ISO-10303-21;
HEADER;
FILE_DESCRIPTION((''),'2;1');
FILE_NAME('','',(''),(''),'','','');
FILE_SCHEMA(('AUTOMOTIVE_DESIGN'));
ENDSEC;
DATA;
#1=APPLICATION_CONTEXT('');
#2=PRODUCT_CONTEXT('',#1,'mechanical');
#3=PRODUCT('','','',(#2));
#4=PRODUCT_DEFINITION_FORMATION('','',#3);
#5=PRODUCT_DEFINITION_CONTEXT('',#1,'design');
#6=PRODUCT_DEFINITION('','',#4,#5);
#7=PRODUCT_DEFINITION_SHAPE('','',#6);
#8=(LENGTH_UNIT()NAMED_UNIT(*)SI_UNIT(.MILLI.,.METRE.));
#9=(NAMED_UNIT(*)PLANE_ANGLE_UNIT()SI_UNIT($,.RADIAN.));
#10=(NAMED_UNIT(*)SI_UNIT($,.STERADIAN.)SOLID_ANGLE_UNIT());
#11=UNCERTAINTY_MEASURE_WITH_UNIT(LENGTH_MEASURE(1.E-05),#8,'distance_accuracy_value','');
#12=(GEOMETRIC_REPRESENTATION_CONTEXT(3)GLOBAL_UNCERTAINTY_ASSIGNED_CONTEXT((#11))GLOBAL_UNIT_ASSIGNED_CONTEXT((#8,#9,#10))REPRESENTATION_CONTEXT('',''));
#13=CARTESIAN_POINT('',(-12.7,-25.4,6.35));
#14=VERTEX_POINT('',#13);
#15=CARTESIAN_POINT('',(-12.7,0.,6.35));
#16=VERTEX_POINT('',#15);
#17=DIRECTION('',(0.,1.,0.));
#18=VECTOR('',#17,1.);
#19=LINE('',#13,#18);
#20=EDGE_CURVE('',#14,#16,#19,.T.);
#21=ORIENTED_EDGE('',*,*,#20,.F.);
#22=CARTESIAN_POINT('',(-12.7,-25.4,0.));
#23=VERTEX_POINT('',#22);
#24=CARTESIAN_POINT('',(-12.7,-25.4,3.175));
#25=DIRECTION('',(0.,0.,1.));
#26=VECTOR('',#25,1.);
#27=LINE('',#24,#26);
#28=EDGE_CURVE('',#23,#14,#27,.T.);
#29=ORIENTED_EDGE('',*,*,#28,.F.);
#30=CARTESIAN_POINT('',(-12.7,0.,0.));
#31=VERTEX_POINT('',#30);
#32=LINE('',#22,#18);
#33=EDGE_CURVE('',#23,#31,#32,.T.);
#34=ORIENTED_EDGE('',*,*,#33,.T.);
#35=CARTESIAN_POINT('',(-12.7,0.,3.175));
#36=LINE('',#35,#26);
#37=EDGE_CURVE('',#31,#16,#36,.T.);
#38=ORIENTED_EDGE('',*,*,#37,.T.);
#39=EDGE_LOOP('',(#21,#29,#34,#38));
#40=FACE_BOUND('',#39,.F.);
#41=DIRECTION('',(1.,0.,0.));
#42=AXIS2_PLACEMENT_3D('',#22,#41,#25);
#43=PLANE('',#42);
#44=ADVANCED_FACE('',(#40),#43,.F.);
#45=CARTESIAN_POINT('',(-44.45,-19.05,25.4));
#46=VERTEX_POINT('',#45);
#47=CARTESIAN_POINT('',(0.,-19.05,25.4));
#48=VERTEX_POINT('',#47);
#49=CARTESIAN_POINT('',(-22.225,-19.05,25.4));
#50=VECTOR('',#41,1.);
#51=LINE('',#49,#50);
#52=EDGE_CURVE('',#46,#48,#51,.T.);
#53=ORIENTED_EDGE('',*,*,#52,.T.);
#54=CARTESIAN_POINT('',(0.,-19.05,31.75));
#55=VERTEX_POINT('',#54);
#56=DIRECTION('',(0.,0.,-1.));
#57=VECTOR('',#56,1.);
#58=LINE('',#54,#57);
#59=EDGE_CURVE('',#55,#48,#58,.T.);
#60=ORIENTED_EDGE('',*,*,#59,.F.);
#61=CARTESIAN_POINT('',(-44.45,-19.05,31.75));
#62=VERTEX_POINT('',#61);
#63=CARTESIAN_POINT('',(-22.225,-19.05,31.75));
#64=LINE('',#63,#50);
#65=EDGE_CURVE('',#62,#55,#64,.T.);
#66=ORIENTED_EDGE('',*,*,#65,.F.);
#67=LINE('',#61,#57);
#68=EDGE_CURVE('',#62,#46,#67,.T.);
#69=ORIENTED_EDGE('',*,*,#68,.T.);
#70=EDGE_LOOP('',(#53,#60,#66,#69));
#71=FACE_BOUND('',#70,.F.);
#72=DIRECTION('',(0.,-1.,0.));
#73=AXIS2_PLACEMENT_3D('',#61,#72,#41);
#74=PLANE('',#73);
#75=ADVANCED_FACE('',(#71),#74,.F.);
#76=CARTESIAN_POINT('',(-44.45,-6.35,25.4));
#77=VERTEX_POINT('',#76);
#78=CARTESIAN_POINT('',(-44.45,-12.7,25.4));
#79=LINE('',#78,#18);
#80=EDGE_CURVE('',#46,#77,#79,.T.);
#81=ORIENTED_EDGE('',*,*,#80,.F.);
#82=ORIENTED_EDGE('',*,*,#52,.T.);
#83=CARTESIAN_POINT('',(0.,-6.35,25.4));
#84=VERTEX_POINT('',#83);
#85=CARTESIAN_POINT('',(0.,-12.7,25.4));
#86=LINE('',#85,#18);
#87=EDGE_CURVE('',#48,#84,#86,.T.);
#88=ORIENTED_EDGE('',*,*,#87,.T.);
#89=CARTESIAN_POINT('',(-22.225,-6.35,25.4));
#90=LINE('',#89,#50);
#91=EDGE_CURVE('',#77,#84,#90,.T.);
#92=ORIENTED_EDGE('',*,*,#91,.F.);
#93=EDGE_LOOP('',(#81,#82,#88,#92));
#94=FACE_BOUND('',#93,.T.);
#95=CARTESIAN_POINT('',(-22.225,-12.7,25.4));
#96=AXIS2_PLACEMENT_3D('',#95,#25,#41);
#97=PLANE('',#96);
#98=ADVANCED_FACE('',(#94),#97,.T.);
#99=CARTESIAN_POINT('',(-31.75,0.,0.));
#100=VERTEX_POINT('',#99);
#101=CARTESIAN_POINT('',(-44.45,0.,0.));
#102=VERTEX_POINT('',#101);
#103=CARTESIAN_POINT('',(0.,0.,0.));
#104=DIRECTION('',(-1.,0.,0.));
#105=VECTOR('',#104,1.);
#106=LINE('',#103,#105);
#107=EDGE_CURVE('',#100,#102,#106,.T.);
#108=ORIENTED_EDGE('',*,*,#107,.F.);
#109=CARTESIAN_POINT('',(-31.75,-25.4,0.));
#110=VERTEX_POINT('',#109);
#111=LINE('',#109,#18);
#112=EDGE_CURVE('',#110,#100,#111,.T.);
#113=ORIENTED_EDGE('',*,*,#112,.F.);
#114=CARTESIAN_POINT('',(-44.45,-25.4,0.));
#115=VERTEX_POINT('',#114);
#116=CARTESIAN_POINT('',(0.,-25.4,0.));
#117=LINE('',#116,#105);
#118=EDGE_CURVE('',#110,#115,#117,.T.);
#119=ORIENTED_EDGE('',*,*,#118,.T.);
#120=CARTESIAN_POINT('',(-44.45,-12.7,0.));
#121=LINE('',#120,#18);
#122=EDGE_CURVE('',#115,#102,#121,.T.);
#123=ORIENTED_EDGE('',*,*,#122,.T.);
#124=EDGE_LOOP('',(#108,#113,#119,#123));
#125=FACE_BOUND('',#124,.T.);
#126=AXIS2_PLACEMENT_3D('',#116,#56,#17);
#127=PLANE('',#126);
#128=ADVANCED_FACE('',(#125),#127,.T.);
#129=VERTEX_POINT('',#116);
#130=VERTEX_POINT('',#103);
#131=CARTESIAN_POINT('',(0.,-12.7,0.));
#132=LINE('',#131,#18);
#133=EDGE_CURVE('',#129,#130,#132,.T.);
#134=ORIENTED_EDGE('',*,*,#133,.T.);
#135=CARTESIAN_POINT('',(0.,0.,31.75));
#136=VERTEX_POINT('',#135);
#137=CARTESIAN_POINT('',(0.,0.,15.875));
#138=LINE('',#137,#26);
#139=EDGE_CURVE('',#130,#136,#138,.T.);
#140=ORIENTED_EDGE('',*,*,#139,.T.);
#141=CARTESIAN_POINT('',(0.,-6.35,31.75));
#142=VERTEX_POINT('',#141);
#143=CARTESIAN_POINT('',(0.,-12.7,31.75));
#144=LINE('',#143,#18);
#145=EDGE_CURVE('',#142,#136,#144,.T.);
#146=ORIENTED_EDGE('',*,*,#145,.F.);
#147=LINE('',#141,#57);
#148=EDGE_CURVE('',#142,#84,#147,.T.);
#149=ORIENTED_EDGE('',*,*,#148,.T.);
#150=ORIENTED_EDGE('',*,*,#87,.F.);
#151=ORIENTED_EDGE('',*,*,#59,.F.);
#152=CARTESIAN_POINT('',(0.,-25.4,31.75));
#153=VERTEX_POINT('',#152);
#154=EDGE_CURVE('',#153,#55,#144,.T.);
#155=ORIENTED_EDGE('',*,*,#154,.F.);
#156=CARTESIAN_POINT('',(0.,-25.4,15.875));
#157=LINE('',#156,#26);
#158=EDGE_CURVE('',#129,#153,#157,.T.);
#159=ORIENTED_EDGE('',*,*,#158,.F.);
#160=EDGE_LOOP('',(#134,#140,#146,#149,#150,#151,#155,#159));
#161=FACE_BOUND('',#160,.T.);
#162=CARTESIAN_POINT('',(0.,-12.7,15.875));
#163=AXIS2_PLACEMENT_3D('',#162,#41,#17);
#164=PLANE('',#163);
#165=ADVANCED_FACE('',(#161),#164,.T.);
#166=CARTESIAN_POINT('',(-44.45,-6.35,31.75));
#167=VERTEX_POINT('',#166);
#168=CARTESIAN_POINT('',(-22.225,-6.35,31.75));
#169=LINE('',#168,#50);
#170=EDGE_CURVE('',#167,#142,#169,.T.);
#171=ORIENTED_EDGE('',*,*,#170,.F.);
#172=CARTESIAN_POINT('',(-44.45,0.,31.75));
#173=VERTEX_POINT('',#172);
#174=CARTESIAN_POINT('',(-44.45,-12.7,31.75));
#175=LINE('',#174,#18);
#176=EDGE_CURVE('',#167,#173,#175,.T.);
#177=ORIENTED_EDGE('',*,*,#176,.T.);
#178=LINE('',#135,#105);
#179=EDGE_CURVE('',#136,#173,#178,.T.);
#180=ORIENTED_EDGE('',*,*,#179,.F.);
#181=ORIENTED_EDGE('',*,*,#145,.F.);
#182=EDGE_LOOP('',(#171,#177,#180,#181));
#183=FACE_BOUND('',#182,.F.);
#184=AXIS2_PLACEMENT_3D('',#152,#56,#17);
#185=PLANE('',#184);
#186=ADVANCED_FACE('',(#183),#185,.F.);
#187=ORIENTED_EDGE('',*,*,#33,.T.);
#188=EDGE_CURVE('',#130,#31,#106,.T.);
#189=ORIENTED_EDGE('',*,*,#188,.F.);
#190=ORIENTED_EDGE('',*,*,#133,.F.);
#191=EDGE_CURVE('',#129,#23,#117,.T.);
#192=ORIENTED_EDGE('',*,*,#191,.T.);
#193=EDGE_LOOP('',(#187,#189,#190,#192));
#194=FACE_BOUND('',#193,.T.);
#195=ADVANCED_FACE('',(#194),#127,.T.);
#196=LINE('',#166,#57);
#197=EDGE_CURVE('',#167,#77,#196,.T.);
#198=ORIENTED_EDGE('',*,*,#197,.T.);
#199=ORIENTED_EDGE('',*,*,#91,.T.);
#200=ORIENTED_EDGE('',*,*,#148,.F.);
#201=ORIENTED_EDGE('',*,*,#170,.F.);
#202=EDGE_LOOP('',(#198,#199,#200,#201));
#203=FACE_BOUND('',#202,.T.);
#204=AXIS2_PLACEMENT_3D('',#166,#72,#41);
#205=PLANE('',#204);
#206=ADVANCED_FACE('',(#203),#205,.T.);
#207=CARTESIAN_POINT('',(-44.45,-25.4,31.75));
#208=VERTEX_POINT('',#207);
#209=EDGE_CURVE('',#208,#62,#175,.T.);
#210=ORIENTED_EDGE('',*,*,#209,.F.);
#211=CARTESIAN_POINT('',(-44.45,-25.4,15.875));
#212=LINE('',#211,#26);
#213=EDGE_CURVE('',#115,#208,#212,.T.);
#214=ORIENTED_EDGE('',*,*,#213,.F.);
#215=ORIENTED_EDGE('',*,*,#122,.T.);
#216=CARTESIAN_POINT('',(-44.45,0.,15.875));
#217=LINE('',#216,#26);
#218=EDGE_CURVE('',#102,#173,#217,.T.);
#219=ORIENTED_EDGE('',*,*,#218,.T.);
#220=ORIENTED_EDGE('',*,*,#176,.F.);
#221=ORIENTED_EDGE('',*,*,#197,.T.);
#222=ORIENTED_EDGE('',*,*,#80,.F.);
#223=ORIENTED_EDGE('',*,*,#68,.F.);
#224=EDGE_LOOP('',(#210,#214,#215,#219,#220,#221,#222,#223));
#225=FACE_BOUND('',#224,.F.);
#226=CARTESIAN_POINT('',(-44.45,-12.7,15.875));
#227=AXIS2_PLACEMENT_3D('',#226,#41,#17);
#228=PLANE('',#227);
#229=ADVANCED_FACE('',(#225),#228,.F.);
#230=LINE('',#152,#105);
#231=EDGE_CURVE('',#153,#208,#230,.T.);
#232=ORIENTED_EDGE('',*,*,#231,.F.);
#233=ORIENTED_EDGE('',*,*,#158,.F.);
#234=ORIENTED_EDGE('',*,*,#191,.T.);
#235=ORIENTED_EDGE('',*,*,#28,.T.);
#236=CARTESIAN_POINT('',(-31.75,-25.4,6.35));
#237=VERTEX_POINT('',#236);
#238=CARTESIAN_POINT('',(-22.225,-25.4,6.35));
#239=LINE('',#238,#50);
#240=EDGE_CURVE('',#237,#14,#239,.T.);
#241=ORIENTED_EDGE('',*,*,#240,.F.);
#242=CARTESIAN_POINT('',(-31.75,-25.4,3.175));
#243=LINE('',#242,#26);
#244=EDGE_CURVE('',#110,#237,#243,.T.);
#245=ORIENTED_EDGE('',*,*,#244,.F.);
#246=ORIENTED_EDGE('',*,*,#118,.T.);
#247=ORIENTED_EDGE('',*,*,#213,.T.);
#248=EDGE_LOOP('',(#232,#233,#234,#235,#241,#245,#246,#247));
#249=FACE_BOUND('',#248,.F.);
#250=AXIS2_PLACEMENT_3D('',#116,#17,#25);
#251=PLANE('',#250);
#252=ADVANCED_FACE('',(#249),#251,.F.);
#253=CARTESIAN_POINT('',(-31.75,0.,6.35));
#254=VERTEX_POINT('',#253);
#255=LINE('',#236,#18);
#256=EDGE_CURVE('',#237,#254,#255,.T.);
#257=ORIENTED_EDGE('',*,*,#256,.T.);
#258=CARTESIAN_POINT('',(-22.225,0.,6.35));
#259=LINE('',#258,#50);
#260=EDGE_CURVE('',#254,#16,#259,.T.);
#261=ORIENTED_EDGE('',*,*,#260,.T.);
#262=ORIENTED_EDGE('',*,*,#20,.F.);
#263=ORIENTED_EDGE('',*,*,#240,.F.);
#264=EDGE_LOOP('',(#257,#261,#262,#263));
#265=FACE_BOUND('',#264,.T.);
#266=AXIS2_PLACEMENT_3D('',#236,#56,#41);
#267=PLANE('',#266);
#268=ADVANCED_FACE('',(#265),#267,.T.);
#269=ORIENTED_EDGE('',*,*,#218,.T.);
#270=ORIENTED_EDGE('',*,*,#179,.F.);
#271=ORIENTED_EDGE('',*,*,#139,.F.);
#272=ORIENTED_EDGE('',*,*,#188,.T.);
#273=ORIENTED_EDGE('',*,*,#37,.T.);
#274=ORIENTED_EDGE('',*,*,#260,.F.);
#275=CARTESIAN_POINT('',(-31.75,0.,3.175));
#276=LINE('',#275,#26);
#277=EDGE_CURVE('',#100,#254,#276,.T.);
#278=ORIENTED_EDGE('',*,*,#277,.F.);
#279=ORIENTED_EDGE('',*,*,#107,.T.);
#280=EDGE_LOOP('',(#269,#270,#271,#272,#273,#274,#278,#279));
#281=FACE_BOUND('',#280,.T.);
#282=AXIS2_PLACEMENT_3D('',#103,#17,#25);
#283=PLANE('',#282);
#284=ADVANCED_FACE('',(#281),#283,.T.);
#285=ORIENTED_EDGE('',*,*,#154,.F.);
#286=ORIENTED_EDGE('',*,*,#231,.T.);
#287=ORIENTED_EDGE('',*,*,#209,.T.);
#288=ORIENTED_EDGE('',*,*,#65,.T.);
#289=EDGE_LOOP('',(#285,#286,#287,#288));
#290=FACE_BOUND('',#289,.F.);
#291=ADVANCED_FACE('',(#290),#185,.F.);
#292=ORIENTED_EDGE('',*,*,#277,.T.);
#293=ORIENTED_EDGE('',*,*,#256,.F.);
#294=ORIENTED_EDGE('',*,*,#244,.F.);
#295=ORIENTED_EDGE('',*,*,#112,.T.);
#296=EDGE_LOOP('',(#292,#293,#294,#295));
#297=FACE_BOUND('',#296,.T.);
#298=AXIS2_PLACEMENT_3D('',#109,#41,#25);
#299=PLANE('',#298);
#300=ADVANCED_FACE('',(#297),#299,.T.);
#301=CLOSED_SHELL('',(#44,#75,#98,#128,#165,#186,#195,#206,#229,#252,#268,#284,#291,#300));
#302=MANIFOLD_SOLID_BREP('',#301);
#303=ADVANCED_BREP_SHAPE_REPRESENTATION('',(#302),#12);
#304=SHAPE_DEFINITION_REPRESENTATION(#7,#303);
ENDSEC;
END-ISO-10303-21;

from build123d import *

# Parameters (mm, degrees)
F0_W     = 25.4
F0_H     = 31.75
F1_DEPTH = 44.45
F2_W     = 44.45
F2_H     = 12.7
F3_DEPTH = 6.35
F4_W     = 19.05
F4_H     = 6.35
F5_DEPTH = 25.4


with BuildPart() as f1:
    # F0 (on Right) → F1 (new body)
    with BuildSketch(Plane.YZ):
        with Locations((-12.7, 15.875)):
            Rectangle(F0_W, F0_H)
    extrude(amount=-F1_DEPTH)

    # F2 (on face) → F3 (cut)
    with BuildSketch(Plane.XY.offset(31.75)):
        with Locations((-22.225, -12.7)):
            Rectangle(F2_W, F2_H)
    extrude(amount=-F3_DEPTH, mode=Mode.SUBTRACT)

    # F4 (on face) → F5 (cut)
    with BuildSketch(Plane.XZ.offset(25.4)):
        with Locations((-22.225, 3.175)):
            Rectangle(F4_W, F4_H)
    extrude(amount=-F5_DEPTH, mode=Mode.SUBTRACT)


solid = f1.part
